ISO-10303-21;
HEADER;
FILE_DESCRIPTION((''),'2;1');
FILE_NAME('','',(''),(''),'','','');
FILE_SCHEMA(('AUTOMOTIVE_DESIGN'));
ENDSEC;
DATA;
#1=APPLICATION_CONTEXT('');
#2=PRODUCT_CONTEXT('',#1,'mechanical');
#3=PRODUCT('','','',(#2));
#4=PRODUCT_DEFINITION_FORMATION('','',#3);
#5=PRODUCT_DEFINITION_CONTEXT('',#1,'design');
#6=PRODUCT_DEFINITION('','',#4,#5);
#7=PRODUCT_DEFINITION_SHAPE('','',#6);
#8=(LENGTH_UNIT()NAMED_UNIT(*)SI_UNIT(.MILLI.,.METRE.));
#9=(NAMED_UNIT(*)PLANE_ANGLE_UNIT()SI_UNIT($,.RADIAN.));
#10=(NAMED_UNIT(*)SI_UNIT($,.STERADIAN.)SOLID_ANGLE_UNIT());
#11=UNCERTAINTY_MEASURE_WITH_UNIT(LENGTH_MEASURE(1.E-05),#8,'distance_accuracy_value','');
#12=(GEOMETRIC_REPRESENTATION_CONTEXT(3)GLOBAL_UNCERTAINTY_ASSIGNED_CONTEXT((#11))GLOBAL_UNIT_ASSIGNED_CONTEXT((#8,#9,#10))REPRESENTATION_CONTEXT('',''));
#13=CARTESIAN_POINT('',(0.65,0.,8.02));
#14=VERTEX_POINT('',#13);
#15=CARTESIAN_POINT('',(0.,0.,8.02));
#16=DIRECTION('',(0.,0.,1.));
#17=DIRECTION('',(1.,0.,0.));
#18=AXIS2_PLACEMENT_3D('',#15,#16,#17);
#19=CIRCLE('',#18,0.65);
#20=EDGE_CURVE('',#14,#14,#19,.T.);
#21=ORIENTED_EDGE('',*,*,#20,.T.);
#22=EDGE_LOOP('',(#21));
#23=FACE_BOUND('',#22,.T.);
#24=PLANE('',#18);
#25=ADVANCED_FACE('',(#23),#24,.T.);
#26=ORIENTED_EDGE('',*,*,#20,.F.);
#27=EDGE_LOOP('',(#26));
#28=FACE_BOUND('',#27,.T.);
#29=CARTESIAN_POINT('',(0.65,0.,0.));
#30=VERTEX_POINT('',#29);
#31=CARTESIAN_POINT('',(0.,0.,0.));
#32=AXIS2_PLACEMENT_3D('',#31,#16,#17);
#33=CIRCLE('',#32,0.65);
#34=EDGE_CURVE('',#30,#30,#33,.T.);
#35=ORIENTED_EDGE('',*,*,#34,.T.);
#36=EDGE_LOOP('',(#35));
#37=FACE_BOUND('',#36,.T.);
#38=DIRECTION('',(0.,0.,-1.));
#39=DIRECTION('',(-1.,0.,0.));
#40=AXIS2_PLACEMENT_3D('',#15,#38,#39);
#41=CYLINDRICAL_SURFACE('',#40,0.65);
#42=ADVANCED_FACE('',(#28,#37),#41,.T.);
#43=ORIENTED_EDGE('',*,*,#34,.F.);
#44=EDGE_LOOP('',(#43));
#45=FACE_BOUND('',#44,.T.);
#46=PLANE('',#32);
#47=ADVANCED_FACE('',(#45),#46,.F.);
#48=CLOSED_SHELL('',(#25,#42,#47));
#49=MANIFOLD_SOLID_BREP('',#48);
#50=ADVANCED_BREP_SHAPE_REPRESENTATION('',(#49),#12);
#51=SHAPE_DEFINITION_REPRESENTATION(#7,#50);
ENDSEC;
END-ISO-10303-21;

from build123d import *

# Parameters (mm, degrees)
SKETCH1_R      = 0.65
EXTRUDE1_DEPTH = 8.02


with BuildPart() as part:
    # Sketch1 → Extrude1 (new body)
    with BuildSketch(Plane.XY):
        Circle(SKETCH1_R)
    extrude(amount=EXTRUDE1_DEPTH)


solid = part.part
